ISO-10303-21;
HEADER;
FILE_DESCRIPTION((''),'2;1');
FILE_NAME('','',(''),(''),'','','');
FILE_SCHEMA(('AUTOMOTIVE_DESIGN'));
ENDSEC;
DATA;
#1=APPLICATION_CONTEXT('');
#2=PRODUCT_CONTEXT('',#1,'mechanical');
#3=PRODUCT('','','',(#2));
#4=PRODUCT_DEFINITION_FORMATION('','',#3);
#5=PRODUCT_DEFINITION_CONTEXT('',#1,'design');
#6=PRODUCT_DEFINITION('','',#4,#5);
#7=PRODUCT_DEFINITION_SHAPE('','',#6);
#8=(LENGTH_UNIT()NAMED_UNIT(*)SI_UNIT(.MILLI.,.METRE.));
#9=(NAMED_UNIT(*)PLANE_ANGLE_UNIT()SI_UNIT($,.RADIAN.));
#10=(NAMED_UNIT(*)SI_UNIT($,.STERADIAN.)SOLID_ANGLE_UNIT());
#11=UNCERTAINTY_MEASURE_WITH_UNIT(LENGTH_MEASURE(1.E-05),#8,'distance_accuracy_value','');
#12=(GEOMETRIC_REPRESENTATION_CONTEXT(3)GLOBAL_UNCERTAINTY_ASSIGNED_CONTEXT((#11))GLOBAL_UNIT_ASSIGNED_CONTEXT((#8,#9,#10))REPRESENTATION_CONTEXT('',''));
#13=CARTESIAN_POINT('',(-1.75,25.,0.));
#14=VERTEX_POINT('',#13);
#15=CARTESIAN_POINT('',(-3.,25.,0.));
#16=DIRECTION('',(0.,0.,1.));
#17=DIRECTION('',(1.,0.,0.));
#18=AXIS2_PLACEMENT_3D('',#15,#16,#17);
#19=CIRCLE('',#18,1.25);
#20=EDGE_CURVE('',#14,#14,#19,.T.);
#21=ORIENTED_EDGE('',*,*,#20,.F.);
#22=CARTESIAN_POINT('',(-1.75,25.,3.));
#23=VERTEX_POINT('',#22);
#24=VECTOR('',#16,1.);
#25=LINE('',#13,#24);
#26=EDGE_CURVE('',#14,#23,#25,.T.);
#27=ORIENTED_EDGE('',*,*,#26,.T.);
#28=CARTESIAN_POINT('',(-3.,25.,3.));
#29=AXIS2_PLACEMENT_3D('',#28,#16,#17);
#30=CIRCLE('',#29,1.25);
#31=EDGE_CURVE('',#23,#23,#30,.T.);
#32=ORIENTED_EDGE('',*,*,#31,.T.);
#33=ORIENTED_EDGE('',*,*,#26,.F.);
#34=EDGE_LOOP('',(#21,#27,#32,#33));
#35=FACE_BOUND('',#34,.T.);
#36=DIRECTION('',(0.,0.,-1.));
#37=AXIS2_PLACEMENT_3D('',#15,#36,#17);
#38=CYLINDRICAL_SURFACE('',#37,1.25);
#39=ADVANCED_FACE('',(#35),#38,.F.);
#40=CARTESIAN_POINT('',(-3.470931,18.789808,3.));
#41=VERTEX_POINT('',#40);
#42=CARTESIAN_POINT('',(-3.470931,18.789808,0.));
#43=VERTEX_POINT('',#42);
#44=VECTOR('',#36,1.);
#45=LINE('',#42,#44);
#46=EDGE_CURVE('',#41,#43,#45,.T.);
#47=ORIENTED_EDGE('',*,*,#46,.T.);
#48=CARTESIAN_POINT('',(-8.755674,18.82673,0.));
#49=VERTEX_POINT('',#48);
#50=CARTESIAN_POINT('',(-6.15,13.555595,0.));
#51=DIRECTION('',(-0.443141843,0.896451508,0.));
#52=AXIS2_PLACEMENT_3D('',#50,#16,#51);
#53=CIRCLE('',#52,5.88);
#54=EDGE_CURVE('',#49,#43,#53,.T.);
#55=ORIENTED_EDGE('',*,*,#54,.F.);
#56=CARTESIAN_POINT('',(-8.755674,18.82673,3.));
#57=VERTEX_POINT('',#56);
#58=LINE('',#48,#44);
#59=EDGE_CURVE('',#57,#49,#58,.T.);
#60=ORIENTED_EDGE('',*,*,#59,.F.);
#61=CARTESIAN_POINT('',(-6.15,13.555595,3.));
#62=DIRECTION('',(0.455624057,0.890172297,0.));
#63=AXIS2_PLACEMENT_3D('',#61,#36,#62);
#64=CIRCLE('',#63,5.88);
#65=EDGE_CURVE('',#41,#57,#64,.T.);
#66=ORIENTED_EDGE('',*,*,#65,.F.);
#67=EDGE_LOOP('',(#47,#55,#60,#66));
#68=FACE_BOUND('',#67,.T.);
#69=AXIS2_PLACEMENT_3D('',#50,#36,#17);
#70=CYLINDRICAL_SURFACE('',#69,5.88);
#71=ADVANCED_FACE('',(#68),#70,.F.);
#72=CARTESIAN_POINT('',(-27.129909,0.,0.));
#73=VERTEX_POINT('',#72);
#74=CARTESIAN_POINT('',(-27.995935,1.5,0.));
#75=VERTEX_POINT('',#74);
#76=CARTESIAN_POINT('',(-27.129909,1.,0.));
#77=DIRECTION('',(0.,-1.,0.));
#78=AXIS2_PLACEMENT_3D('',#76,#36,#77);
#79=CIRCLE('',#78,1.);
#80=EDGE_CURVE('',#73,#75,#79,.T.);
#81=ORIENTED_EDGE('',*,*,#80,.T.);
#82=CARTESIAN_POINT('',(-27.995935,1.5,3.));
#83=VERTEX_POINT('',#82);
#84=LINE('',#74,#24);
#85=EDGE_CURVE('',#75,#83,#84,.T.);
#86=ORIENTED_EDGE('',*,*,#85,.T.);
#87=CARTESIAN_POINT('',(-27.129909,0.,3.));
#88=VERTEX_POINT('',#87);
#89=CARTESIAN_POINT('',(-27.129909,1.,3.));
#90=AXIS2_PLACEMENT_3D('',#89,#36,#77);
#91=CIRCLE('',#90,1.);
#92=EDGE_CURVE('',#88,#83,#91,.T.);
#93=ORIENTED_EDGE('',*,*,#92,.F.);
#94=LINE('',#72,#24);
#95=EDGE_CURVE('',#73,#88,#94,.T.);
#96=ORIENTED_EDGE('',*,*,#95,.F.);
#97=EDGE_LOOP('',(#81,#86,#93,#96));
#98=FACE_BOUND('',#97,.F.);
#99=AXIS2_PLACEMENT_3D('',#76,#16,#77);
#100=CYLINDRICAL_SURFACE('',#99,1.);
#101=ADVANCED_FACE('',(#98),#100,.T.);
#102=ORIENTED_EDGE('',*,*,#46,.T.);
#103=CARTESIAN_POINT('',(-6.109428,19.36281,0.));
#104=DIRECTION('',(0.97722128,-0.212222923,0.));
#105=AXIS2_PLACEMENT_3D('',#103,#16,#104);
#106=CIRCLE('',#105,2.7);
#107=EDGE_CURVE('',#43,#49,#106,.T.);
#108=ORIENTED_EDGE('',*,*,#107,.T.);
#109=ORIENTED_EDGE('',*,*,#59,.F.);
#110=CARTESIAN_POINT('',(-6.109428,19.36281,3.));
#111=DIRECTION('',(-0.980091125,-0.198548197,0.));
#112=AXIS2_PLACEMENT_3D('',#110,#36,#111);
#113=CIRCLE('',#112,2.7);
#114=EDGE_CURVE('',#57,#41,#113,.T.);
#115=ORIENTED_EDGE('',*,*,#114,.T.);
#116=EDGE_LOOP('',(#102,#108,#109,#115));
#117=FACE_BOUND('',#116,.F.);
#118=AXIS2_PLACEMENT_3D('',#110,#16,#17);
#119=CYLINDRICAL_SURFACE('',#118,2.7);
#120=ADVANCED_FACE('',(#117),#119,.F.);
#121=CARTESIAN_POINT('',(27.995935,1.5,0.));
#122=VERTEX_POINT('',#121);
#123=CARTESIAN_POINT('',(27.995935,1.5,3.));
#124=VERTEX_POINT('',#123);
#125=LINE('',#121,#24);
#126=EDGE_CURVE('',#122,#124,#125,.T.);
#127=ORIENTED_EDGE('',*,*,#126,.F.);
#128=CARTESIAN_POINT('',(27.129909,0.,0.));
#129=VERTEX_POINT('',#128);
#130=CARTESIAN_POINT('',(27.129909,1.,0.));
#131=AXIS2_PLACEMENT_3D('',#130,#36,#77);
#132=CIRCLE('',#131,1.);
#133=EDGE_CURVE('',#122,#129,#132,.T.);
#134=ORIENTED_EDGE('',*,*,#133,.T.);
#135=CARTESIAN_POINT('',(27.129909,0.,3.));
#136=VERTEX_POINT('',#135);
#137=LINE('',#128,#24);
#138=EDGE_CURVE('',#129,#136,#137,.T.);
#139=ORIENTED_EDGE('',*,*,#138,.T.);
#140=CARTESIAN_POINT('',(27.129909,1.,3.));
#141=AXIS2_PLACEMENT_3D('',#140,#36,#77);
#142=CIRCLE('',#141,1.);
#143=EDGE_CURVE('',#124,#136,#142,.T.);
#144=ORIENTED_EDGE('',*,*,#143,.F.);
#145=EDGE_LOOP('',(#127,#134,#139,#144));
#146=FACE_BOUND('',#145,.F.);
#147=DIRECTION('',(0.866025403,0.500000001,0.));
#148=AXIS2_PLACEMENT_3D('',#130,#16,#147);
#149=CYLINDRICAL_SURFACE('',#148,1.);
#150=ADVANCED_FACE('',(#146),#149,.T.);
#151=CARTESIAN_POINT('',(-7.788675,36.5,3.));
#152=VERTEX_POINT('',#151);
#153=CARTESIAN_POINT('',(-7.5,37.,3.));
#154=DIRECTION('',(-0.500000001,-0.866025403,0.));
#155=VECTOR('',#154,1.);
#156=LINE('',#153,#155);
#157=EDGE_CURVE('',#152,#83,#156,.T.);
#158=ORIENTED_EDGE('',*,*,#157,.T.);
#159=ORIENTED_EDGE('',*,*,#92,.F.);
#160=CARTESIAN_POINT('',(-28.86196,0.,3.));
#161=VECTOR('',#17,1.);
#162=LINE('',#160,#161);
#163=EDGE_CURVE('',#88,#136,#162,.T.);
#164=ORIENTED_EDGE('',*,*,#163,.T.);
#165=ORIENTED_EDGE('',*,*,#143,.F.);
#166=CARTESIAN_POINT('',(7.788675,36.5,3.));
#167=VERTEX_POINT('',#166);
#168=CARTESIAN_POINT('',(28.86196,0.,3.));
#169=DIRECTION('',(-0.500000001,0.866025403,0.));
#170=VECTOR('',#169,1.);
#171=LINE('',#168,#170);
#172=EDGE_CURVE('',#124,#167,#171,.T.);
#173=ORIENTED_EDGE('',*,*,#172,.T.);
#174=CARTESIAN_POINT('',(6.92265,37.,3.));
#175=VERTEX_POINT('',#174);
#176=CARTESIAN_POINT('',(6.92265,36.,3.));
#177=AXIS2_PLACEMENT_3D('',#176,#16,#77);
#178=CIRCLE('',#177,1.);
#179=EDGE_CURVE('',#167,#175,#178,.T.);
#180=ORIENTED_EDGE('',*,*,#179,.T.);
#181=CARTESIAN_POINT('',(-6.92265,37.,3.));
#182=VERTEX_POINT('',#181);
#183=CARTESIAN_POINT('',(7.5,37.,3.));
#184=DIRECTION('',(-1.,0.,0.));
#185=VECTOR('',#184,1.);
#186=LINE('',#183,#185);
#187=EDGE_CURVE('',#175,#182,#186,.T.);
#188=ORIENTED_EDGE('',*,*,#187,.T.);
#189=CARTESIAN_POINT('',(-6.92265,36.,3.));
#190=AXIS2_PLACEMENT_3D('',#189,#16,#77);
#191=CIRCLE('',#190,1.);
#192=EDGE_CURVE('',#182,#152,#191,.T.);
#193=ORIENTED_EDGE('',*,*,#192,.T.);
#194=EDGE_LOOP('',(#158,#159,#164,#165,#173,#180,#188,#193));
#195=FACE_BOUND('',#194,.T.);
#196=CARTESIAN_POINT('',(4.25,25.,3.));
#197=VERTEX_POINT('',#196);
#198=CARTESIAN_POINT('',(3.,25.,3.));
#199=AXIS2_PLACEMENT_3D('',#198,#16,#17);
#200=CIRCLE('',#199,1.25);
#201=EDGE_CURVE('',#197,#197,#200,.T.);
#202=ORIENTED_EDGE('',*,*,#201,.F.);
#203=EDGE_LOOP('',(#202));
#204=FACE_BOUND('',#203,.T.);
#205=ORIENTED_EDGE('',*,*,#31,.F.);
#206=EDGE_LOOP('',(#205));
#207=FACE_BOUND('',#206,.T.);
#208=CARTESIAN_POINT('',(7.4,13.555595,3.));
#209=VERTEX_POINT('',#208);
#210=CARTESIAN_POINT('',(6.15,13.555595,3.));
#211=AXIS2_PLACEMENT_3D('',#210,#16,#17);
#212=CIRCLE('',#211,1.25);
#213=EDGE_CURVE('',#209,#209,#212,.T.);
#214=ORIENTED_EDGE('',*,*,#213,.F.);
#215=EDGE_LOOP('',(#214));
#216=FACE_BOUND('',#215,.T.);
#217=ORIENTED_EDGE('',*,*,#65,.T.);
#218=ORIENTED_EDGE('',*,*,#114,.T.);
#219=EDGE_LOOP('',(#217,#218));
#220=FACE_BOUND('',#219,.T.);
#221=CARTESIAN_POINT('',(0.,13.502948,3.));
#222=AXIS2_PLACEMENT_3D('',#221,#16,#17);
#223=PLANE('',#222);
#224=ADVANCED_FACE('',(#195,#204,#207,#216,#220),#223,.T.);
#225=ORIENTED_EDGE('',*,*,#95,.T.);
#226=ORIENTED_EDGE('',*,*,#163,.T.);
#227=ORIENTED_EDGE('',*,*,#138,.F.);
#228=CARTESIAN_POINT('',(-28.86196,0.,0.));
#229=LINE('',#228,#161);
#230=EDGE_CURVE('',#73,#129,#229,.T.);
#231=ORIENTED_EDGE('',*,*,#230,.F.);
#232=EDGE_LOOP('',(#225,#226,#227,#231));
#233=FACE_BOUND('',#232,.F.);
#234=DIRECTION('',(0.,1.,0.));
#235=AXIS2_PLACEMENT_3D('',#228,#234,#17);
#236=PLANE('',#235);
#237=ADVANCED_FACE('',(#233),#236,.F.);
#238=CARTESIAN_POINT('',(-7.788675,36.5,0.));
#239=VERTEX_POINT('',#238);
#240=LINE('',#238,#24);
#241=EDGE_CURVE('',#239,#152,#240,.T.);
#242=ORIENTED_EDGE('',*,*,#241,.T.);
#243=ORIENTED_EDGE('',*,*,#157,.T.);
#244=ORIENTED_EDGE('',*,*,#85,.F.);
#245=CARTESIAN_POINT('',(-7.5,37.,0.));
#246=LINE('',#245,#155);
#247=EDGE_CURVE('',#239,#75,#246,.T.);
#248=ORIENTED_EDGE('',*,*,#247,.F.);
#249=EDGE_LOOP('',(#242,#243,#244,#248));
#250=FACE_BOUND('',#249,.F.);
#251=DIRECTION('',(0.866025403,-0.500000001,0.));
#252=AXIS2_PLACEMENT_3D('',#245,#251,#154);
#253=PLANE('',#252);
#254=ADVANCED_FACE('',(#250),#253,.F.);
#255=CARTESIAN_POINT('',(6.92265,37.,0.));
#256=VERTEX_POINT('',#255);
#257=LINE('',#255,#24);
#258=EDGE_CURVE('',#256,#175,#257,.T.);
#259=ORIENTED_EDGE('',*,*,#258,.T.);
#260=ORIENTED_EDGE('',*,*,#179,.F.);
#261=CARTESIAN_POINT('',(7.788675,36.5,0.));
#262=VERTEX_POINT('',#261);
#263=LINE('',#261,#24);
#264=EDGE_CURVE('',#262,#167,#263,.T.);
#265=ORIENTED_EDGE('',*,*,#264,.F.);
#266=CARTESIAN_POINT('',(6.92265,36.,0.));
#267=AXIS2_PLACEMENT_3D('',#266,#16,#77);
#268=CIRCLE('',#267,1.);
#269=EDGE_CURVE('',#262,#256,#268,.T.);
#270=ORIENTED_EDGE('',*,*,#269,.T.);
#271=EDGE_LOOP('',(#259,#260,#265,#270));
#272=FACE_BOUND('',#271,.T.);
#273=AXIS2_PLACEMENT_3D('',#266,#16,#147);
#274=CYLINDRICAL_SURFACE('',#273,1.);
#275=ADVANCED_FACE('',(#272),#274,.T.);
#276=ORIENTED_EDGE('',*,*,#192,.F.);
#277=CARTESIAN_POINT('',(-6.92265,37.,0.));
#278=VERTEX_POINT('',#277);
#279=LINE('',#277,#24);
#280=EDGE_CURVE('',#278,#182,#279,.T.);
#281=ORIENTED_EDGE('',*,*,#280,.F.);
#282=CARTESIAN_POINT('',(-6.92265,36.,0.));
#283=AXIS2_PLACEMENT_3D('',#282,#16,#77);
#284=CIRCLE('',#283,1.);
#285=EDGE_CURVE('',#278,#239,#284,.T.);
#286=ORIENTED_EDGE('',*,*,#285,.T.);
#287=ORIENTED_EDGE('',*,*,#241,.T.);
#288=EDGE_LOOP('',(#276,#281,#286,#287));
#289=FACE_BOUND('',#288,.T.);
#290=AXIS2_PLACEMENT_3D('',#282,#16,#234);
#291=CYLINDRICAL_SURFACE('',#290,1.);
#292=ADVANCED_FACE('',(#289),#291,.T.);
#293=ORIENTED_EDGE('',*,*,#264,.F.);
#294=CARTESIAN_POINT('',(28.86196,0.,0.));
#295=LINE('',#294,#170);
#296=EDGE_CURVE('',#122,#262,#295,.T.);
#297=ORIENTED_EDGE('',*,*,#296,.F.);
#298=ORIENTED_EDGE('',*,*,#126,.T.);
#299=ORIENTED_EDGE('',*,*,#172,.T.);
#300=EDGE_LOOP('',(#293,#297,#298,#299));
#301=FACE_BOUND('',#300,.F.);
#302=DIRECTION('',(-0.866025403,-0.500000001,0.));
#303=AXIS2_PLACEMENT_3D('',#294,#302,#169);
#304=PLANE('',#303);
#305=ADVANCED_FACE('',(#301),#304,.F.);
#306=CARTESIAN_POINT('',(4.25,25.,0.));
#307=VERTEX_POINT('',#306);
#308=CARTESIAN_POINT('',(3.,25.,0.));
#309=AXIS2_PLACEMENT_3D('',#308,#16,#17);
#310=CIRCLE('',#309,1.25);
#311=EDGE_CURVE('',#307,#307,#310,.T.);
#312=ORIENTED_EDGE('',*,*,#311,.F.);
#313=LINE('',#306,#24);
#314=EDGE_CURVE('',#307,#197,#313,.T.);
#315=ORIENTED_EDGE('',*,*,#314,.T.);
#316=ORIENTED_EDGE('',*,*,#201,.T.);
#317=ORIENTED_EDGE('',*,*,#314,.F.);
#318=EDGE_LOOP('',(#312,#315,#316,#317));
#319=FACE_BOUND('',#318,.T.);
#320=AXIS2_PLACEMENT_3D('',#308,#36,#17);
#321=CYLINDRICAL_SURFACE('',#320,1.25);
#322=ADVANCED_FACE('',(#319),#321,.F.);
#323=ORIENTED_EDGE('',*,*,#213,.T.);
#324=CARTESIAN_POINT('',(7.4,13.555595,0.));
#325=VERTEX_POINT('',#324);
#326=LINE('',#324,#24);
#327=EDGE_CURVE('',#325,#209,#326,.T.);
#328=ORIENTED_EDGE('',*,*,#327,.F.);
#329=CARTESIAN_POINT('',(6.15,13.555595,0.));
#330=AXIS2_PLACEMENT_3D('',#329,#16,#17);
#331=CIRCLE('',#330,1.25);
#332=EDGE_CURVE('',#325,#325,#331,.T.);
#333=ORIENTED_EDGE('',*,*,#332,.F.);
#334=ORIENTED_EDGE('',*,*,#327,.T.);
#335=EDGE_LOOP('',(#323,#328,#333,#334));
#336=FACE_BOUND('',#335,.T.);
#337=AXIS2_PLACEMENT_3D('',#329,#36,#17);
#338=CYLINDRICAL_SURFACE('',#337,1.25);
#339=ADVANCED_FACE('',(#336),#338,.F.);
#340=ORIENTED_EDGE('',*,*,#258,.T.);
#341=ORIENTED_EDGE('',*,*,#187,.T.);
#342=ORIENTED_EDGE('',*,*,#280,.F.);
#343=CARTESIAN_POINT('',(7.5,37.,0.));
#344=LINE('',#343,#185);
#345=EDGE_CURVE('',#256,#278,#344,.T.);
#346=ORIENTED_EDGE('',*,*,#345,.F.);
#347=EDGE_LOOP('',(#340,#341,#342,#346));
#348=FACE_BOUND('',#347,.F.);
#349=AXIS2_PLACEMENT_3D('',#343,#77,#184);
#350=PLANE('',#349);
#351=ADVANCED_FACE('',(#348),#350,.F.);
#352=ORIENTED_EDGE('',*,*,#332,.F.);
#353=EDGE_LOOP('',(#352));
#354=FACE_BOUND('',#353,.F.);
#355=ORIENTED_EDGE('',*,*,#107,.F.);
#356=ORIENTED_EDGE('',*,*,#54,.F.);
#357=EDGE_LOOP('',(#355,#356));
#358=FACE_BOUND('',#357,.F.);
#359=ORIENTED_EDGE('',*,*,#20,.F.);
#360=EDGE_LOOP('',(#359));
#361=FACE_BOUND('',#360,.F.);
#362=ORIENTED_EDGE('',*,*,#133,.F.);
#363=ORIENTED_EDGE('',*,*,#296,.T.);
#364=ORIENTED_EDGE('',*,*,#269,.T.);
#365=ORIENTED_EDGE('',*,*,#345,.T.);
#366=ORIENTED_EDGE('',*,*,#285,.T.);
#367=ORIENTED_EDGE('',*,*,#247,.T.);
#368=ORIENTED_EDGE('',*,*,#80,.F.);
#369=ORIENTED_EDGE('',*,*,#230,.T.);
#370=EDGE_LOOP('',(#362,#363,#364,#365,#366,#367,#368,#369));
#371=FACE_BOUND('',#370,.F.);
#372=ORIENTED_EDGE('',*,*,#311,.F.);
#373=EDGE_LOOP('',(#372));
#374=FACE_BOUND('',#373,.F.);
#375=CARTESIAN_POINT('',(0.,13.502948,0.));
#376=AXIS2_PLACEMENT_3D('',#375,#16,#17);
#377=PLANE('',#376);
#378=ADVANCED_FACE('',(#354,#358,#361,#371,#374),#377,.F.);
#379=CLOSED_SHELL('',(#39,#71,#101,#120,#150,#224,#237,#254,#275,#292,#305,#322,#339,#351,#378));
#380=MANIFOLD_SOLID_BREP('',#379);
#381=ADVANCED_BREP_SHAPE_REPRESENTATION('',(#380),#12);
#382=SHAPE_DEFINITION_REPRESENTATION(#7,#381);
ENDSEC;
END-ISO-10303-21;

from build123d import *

# Parameters (mm, degrees)
SKETCH001_R      = 2.7
EXTRUDE001_DEPTH = 10
SKETCH_R         = 1.25
SKETCH_R_2       = 5.88
EXTRUDE_DEPTH    = 3
FILLET_R         = 1


with BuildPart() as extrude001:
    # Sketch001 (on Face5 of Fillet) → Extrude001 (new body)
    with BuildSketch(Plane.XY.offset(3)):
        with Locations((-6.109428, 19.36281)):
            Circle(SKETCH001_R)
    extrude(amount=-EXTRUDE001_DEPTH)


with BuildPart() as cut:
    # Sketch → Extrude (new body)
    with BuildSketch(Plane.XY):
        Polygon((0, 0), (28.86196, 0), (7.5, 37), (-7.5, 37), (-28.86196, 0), align=None)
        with Locations((-3, 25)):
            Circle(SKETCH_R, mode=Mode.SUBTRACT)
        with Locations((3, 25)):
            Circle(SKETCH_R, mode=Mode.SUBTRACT)
        with Locations((-6.15, 13.555595)):
            Circle(SKETCH_R_2, mode=Mode.SUBTRACT)
        with Locations((6.15, 13.555595)):
            Circle(SKETCH_R, mode=Mode.SUBTRACT)
    extrude(amount=EXTRUDE_DEPTH)

    # Fillet
    fillet_edges = [cut.edges().sort_by_distance(p)[0] for p in [
        (28.86196, 0, 1.5),
        (7.5, 37, 1.5),
        (-7.5, 37, 1.5),
        (-28.86196, 0, 1.5),
    ]]
    fillet(fillet_edges, radius=FILLET_R)

    # Cut: cut Extrude001
    add(extrude001.part, mode=Mode.SUBTRACT)


solid = cut.part
